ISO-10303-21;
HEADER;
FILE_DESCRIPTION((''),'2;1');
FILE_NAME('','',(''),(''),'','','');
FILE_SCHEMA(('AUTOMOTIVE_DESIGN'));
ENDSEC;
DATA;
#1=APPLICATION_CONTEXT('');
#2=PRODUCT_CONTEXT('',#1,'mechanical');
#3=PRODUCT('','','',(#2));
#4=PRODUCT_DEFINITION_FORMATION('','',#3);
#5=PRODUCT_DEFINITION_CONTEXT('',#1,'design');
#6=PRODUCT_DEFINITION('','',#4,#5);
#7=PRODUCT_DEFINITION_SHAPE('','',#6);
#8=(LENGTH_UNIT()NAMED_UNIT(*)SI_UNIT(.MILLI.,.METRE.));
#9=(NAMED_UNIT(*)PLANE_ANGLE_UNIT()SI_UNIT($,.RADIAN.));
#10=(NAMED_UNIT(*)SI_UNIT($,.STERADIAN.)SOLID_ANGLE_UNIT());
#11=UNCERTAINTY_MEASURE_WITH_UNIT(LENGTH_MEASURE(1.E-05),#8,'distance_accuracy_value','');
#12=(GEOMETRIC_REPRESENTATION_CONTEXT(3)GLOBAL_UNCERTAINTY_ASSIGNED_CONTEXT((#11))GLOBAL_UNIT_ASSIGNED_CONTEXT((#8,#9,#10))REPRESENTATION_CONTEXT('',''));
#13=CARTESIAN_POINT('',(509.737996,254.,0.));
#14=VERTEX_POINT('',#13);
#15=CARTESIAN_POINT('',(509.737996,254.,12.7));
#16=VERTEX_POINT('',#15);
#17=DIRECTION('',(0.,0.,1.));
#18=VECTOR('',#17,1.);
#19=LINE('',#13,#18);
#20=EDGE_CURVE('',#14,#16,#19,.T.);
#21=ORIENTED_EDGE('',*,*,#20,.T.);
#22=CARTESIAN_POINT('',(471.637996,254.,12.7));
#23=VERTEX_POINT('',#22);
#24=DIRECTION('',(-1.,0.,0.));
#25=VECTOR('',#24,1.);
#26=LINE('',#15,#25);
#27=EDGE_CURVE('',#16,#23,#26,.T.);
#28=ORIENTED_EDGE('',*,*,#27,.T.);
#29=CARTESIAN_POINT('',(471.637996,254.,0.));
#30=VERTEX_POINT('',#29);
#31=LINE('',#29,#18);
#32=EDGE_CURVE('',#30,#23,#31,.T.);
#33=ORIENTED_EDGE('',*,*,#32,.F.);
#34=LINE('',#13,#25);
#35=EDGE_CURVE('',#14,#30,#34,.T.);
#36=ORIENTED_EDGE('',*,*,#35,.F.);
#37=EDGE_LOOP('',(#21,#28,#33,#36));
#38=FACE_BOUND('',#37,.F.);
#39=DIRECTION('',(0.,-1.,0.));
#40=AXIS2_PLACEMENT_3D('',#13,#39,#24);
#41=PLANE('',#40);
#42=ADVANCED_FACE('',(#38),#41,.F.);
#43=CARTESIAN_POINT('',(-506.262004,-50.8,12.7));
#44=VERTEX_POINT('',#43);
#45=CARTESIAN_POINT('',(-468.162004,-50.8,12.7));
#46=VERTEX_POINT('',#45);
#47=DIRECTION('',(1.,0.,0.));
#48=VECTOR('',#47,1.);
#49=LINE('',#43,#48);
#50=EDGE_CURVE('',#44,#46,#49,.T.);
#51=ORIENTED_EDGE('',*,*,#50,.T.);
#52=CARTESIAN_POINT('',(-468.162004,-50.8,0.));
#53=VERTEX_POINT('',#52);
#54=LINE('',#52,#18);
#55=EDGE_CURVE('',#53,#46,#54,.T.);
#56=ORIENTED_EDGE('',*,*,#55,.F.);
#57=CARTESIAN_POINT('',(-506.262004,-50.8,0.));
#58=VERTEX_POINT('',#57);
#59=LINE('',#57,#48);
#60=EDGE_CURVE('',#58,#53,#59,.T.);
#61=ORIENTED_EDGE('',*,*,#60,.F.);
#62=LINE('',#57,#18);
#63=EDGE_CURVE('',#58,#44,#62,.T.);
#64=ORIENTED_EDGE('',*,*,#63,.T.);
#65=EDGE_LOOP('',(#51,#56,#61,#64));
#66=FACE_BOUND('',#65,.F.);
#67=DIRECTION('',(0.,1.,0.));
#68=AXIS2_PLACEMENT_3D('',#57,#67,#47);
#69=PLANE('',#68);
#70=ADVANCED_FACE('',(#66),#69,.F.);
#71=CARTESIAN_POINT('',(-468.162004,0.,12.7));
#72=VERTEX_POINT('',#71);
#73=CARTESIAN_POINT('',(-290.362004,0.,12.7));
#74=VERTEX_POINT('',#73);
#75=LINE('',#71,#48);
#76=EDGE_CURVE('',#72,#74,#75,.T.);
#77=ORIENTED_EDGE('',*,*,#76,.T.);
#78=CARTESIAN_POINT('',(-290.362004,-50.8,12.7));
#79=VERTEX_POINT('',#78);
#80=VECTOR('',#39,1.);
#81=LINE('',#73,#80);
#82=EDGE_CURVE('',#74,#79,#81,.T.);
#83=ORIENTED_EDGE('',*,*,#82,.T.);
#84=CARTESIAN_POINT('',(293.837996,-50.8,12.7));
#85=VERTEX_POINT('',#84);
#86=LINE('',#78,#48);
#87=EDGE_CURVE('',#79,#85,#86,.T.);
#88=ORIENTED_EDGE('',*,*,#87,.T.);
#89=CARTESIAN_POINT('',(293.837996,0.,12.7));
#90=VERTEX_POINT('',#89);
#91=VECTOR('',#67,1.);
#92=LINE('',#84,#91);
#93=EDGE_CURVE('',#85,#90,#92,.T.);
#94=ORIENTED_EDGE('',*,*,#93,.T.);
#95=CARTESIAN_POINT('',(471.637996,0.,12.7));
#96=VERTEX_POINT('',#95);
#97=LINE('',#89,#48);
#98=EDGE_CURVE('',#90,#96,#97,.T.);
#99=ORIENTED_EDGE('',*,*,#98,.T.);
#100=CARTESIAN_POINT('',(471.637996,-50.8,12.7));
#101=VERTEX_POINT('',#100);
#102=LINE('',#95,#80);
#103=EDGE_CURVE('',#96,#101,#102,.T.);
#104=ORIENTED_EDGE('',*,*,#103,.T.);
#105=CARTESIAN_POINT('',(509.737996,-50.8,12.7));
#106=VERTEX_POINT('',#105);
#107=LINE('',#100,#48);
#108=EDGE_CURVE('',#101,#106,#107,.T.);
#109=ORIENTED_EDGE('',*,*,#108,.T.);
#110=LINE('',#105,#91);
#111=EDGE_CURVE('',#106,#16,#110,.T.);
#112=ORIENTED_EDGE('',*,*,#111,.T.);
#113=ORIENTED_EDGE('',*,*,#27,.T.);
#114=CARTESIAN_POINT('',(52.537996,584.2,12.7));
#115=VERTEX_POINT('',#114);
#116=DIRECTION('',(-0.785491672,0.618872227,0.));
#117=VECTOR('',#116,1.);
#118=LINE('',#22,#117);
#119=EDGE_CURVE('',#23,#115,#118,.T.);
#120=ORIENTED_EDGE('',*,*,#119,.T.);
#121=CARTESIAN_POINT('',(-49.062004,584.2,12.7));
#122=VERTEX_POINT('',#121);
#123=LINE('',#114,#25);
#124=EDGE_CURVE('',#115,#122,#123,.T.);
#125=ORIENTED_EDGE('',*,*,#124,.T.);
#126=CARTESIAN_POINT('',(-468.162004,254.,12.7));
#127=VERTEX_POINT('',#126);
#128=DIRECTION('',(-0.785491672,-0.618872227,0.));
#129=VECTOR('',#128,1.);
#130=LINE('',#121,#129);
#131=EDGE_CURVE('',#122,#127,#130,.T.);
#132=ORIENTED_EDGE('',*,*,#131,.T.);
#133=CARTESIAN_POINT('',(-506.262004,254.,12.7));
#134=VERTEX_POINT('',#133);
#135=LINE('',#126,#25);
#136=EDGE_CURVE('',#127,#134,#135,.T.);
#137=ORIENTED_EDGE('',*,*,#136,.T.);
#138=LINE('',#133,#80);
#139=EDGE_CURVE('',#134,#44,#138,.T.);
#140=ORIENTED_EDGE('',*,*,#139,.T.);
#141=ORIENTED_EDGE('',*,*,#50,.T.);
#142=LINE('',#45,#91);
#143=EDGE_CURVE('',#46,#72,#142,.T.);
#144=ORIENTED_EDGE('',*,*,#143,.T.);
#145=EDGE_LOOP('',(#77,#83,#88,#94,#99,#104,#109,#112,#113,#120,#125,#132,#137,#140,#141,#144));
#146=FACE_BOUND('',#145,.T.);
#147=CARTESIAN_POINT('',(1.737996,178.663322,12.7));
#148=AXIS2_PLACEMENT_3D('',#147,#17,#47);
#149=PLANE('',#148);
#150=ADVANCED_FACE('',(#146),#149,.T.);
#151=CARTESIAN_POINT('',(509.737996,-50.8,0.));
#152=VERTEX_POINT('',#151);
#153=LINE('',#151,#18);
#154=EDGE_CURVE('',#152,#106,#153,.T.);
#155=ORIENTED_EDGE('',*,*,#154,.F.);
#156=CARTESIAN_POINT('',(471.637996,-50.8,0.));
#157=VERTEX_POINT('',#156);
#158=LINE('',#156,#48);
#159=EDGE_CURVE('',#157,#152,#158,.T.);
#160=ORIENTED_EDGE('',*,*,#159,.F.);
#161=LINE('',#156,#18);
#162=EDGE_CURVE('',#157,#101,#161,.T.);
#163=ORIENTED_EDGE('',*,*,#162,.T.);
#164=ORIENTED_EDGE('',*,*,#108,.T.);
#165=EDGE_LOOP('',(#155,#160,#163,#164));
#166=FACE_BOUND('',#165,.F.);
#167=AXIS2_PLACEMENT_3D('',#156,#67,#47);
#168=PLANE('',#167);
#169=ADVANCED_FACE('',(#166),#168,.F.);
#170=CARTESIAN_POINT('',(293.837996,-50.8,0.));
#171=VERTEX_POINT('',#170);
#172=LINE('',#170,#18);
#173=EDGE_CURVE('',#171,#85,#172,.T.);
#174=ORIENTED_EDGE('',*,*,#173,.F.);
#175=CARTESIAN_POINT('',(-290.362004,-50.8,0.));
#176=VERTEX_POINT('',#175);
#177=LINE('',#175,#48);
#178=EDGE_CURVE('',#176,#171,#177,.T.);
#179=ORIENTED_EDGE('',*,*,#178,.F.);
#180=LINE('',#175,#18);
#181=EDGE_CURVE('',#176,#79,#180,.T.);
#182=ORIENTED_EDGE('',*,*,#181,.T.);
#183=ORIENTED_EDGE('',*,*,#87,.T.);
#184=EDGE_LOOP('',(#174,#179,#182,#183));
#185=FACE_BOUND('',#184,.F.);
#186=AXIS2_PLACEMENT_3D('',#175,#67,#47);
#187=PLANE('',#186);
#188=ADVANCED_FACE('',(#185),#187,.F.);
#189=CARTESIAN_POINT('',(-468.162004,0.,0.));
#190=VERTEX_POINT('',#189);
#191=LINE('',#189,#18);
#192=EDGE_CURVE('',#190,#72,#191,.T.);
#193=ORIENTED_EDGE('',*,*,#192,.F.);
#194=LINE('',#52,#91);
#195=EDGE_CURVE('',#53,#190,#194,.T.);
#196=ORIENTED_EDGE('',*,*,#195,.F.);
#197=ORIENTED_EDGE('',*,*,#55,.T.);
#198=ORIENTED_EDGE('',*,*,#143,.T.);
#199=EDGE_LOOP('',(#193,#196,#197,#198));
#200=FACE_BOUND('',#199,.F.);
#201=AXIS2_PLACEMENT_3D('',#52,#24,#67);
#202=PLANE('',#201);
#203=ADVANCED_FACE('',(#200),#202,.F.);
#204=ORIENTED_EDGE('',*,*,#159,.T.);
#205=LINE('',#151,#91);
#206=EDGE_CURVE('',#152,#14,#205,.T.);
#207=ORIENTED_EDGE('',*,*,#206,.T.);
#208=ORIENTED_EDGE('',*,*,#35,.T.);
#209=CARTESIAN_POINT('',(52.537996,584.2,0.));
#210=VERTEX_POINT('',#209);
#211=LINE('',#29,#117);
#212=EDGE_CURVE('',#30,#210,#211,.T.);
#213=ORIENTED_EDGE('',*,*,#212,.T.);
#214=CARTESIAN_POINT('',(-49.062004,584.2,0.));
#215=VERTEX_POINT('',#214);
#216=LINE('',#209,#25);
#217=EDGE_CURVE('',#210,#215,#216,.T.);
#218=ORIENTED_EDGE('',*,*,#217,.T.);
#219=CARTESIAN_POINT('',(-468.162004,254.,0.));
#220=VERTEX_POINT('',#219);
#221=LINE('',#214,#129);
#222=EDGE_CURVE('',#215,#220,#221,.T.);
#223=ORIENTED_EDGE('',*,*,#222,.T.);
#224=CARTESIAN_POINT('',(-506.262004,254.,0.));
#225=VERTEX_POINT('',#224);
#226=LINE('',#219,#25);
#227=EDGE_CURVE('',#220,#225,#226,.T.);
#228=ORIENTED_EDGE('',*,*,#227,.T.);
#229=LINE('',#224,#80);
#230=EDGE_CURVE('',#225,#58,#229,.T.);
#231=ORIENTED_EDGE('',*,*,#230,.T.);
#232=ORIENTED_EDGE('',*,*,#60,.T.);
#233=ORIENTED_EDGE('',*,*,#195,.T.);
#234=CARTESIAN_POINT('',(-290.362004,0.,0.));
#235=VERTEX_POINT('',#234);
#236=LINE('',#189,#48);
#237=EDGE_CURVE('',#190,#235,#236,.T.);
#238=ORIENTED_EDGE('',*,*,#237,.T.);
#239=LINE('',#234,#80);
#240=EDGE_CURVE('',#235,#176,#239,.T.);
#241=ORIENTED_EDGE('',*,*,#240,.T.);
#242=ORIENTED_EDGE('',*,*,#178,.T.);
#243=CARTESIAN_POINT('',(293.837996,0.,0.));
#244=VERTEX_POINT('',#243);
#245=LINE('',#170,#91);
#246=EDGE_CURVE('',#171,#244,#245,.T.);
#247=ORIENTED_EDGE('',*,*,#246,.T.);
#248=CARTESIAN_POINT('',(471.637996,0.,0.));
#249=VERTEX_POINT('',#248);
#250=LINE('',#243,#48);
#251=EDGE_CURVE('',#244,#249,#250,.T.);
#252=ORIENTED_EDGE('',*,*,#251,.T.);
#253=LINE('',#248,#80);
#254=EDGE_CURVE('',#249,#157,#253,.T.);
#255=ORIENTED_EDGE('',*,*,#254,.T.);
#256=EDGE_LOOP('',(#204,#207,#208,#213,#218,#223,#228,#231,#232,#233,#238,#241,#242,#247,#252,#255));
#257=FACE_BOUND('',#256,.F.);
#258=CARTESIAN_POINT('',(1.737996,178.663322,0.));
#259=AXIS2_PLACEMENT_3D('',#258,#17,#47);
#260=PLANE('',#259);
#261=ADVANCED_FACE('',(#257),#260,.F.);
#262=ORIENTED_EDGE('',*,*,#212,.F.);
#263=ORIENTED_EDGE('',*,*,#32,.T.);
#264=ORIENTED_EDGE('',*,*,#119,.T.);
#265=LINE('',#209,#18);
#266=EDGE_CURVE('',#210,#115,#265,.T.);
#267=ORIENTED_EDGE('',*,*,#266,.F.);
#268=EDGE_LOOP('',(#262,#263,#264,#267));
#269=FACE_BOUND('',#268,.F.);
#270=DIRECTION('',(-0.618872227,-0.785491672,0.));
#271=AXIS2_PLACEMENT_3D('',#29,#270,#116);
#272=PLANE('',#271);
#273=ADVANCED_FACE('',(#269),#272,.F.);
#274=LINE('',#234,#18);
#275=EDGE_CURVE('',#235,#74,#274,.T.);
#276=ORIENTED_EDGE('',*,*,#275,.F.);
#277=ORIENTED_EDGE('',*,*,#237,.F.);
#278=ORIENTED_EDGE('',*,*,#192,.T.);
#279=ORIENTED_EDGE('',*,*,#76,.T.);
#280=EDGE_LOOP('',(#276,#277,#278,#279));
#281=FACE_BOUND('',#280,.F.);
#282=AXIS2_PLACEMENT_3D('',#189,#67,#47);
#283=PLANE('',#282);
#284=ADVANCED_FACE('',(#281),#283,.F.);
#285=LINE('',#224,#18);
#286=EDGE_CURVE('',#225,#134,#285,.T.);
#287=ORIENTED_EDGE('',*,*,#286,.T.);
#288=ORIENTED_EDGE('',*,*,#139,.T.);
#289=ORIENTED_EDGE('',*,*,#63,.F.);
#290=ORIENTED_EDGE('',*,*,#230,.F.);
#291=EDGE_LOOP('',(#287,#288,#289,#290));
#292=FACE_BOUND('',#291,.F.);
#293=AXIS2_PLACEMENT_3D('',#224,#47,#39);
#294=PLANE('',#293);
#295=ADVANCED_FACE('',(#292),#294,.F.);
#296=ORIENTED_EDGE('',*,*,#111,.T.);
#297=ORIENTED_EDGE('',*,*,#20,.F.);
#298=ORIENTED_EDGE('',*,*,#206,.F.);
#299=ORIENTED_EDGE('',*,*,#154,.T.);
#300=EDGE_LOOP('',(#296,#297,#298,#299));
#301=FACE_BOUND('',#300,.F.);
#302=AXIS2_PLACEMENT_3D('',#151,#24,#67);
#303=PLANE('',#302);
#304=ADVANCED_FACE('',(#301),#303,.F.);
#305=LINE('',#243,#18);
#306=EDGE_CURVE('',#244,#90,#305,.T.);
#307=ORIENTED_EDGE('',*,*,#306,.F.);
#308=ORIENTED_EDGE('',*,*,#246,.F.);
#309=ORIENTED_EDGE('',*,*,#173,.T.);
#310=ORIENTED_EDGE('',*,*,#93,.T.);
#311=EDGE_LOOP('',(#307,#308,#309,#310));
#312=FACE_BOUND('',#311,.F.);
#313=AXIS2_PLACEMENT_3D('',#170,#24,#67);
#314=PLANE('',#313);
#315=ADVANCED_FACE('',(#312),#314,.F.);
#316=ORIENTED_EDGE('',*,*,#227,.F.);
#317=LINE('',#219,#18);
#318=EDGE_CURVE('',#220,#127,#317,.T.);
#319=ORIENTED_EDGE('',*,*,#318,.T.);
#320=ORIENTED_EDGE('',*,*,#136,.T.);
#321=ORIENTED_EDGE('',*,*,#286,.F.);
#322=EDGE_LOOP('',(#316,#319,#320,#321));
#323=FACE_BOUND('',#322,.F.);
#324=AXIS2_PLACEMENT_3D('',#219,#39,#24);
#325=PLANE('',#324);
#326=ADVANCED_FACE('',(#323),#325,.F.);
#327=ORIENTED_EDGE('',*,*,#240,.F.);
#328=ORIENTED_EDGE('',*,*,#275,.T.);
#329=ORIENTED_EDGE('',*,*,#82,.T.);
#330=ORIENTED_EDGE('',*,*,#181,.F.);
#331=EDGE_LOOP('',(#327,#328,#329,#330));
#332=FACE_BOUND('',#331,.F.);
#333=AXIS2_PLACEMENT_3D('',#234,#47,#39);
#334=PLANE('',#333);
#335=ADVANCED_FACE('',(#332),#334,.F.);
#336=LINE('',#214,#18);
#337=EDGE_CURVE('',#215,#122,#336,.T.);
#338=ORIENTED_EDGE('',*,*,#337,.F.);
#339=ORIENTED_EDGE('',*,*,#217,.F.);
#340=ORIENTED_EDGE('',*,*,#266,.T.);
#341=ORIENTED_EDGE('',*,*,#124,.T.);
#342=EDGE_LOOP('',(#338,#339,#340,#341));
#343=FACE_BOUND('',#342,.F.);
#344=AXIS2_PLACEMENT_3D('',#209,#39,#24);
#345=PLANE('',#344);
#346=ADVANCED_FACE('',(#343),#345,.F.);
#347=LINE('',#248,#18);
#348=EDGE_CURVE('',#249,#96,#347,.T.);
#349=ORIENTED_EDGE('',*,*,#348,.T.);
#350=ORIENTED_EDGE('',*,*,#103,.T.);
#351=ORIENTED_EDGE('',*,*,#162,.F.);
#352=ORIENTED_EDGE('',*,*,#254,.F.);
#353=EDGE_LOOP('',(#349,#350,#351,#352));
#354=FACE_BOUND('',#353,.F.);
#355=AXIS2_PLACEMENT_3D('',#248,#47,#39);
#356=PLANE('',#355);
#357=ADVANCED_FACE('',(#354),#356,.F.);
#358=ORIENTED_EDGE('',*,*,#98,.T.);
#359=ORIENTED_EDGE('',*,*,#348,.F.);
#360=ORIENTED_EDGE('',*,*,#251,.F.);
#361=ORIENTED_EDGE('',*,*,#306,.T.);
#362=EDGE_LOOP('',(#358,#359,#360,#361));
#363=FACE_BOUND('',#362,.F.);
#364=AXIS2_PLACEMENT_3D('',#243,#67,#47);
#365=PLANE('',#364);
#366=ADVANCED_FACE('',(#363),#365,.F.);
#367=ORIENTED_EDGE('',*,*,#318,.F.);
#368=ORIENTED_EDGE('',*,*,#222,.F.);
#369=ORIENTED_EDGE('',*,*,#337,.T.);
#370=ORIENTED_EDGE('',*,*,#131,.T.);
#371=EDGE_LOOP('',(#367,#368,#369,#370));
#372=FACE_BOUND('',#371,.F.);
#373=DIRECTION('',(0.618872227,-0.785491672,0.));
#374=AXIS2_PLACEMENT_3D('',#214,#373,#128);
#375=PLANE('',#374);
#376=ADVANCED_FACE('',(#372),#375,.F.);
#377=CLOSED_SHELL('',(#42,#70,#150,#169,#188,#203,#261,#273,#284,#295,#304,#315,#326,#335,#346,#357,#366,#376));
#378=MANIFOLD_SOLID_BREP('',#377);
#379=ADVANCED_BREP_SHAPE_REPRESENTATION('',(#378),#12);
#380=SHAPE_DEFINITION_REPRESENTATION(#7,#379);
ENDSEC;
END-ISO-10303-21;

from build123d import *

# Parameters (mm, degrees)
F1_DEPTH = 12.7


with BuildPart() as f1:
    # F0 (on Top) → F1 (new body)
    with BuildSketch(Plane.XY):
        Polygon((-506.262004, 254), (-506.262004, -50.8), (-468.162004, -50.8), (-468.162004, 0), (-290.362004, 0), (-290.362004, -50.8), (293.837996, -50.8), (293.837996, 0), (471.637996, 0), (471.637996, -50.8), (509.737996, -50.8), (509.737996, 254), (471.637996, 254), (52.537996, 584.2), (-49.062004, 584.2), (-468.162004, 254), align=None)
    extrude(amount=F1_DEPTH)


solid = f1.part
